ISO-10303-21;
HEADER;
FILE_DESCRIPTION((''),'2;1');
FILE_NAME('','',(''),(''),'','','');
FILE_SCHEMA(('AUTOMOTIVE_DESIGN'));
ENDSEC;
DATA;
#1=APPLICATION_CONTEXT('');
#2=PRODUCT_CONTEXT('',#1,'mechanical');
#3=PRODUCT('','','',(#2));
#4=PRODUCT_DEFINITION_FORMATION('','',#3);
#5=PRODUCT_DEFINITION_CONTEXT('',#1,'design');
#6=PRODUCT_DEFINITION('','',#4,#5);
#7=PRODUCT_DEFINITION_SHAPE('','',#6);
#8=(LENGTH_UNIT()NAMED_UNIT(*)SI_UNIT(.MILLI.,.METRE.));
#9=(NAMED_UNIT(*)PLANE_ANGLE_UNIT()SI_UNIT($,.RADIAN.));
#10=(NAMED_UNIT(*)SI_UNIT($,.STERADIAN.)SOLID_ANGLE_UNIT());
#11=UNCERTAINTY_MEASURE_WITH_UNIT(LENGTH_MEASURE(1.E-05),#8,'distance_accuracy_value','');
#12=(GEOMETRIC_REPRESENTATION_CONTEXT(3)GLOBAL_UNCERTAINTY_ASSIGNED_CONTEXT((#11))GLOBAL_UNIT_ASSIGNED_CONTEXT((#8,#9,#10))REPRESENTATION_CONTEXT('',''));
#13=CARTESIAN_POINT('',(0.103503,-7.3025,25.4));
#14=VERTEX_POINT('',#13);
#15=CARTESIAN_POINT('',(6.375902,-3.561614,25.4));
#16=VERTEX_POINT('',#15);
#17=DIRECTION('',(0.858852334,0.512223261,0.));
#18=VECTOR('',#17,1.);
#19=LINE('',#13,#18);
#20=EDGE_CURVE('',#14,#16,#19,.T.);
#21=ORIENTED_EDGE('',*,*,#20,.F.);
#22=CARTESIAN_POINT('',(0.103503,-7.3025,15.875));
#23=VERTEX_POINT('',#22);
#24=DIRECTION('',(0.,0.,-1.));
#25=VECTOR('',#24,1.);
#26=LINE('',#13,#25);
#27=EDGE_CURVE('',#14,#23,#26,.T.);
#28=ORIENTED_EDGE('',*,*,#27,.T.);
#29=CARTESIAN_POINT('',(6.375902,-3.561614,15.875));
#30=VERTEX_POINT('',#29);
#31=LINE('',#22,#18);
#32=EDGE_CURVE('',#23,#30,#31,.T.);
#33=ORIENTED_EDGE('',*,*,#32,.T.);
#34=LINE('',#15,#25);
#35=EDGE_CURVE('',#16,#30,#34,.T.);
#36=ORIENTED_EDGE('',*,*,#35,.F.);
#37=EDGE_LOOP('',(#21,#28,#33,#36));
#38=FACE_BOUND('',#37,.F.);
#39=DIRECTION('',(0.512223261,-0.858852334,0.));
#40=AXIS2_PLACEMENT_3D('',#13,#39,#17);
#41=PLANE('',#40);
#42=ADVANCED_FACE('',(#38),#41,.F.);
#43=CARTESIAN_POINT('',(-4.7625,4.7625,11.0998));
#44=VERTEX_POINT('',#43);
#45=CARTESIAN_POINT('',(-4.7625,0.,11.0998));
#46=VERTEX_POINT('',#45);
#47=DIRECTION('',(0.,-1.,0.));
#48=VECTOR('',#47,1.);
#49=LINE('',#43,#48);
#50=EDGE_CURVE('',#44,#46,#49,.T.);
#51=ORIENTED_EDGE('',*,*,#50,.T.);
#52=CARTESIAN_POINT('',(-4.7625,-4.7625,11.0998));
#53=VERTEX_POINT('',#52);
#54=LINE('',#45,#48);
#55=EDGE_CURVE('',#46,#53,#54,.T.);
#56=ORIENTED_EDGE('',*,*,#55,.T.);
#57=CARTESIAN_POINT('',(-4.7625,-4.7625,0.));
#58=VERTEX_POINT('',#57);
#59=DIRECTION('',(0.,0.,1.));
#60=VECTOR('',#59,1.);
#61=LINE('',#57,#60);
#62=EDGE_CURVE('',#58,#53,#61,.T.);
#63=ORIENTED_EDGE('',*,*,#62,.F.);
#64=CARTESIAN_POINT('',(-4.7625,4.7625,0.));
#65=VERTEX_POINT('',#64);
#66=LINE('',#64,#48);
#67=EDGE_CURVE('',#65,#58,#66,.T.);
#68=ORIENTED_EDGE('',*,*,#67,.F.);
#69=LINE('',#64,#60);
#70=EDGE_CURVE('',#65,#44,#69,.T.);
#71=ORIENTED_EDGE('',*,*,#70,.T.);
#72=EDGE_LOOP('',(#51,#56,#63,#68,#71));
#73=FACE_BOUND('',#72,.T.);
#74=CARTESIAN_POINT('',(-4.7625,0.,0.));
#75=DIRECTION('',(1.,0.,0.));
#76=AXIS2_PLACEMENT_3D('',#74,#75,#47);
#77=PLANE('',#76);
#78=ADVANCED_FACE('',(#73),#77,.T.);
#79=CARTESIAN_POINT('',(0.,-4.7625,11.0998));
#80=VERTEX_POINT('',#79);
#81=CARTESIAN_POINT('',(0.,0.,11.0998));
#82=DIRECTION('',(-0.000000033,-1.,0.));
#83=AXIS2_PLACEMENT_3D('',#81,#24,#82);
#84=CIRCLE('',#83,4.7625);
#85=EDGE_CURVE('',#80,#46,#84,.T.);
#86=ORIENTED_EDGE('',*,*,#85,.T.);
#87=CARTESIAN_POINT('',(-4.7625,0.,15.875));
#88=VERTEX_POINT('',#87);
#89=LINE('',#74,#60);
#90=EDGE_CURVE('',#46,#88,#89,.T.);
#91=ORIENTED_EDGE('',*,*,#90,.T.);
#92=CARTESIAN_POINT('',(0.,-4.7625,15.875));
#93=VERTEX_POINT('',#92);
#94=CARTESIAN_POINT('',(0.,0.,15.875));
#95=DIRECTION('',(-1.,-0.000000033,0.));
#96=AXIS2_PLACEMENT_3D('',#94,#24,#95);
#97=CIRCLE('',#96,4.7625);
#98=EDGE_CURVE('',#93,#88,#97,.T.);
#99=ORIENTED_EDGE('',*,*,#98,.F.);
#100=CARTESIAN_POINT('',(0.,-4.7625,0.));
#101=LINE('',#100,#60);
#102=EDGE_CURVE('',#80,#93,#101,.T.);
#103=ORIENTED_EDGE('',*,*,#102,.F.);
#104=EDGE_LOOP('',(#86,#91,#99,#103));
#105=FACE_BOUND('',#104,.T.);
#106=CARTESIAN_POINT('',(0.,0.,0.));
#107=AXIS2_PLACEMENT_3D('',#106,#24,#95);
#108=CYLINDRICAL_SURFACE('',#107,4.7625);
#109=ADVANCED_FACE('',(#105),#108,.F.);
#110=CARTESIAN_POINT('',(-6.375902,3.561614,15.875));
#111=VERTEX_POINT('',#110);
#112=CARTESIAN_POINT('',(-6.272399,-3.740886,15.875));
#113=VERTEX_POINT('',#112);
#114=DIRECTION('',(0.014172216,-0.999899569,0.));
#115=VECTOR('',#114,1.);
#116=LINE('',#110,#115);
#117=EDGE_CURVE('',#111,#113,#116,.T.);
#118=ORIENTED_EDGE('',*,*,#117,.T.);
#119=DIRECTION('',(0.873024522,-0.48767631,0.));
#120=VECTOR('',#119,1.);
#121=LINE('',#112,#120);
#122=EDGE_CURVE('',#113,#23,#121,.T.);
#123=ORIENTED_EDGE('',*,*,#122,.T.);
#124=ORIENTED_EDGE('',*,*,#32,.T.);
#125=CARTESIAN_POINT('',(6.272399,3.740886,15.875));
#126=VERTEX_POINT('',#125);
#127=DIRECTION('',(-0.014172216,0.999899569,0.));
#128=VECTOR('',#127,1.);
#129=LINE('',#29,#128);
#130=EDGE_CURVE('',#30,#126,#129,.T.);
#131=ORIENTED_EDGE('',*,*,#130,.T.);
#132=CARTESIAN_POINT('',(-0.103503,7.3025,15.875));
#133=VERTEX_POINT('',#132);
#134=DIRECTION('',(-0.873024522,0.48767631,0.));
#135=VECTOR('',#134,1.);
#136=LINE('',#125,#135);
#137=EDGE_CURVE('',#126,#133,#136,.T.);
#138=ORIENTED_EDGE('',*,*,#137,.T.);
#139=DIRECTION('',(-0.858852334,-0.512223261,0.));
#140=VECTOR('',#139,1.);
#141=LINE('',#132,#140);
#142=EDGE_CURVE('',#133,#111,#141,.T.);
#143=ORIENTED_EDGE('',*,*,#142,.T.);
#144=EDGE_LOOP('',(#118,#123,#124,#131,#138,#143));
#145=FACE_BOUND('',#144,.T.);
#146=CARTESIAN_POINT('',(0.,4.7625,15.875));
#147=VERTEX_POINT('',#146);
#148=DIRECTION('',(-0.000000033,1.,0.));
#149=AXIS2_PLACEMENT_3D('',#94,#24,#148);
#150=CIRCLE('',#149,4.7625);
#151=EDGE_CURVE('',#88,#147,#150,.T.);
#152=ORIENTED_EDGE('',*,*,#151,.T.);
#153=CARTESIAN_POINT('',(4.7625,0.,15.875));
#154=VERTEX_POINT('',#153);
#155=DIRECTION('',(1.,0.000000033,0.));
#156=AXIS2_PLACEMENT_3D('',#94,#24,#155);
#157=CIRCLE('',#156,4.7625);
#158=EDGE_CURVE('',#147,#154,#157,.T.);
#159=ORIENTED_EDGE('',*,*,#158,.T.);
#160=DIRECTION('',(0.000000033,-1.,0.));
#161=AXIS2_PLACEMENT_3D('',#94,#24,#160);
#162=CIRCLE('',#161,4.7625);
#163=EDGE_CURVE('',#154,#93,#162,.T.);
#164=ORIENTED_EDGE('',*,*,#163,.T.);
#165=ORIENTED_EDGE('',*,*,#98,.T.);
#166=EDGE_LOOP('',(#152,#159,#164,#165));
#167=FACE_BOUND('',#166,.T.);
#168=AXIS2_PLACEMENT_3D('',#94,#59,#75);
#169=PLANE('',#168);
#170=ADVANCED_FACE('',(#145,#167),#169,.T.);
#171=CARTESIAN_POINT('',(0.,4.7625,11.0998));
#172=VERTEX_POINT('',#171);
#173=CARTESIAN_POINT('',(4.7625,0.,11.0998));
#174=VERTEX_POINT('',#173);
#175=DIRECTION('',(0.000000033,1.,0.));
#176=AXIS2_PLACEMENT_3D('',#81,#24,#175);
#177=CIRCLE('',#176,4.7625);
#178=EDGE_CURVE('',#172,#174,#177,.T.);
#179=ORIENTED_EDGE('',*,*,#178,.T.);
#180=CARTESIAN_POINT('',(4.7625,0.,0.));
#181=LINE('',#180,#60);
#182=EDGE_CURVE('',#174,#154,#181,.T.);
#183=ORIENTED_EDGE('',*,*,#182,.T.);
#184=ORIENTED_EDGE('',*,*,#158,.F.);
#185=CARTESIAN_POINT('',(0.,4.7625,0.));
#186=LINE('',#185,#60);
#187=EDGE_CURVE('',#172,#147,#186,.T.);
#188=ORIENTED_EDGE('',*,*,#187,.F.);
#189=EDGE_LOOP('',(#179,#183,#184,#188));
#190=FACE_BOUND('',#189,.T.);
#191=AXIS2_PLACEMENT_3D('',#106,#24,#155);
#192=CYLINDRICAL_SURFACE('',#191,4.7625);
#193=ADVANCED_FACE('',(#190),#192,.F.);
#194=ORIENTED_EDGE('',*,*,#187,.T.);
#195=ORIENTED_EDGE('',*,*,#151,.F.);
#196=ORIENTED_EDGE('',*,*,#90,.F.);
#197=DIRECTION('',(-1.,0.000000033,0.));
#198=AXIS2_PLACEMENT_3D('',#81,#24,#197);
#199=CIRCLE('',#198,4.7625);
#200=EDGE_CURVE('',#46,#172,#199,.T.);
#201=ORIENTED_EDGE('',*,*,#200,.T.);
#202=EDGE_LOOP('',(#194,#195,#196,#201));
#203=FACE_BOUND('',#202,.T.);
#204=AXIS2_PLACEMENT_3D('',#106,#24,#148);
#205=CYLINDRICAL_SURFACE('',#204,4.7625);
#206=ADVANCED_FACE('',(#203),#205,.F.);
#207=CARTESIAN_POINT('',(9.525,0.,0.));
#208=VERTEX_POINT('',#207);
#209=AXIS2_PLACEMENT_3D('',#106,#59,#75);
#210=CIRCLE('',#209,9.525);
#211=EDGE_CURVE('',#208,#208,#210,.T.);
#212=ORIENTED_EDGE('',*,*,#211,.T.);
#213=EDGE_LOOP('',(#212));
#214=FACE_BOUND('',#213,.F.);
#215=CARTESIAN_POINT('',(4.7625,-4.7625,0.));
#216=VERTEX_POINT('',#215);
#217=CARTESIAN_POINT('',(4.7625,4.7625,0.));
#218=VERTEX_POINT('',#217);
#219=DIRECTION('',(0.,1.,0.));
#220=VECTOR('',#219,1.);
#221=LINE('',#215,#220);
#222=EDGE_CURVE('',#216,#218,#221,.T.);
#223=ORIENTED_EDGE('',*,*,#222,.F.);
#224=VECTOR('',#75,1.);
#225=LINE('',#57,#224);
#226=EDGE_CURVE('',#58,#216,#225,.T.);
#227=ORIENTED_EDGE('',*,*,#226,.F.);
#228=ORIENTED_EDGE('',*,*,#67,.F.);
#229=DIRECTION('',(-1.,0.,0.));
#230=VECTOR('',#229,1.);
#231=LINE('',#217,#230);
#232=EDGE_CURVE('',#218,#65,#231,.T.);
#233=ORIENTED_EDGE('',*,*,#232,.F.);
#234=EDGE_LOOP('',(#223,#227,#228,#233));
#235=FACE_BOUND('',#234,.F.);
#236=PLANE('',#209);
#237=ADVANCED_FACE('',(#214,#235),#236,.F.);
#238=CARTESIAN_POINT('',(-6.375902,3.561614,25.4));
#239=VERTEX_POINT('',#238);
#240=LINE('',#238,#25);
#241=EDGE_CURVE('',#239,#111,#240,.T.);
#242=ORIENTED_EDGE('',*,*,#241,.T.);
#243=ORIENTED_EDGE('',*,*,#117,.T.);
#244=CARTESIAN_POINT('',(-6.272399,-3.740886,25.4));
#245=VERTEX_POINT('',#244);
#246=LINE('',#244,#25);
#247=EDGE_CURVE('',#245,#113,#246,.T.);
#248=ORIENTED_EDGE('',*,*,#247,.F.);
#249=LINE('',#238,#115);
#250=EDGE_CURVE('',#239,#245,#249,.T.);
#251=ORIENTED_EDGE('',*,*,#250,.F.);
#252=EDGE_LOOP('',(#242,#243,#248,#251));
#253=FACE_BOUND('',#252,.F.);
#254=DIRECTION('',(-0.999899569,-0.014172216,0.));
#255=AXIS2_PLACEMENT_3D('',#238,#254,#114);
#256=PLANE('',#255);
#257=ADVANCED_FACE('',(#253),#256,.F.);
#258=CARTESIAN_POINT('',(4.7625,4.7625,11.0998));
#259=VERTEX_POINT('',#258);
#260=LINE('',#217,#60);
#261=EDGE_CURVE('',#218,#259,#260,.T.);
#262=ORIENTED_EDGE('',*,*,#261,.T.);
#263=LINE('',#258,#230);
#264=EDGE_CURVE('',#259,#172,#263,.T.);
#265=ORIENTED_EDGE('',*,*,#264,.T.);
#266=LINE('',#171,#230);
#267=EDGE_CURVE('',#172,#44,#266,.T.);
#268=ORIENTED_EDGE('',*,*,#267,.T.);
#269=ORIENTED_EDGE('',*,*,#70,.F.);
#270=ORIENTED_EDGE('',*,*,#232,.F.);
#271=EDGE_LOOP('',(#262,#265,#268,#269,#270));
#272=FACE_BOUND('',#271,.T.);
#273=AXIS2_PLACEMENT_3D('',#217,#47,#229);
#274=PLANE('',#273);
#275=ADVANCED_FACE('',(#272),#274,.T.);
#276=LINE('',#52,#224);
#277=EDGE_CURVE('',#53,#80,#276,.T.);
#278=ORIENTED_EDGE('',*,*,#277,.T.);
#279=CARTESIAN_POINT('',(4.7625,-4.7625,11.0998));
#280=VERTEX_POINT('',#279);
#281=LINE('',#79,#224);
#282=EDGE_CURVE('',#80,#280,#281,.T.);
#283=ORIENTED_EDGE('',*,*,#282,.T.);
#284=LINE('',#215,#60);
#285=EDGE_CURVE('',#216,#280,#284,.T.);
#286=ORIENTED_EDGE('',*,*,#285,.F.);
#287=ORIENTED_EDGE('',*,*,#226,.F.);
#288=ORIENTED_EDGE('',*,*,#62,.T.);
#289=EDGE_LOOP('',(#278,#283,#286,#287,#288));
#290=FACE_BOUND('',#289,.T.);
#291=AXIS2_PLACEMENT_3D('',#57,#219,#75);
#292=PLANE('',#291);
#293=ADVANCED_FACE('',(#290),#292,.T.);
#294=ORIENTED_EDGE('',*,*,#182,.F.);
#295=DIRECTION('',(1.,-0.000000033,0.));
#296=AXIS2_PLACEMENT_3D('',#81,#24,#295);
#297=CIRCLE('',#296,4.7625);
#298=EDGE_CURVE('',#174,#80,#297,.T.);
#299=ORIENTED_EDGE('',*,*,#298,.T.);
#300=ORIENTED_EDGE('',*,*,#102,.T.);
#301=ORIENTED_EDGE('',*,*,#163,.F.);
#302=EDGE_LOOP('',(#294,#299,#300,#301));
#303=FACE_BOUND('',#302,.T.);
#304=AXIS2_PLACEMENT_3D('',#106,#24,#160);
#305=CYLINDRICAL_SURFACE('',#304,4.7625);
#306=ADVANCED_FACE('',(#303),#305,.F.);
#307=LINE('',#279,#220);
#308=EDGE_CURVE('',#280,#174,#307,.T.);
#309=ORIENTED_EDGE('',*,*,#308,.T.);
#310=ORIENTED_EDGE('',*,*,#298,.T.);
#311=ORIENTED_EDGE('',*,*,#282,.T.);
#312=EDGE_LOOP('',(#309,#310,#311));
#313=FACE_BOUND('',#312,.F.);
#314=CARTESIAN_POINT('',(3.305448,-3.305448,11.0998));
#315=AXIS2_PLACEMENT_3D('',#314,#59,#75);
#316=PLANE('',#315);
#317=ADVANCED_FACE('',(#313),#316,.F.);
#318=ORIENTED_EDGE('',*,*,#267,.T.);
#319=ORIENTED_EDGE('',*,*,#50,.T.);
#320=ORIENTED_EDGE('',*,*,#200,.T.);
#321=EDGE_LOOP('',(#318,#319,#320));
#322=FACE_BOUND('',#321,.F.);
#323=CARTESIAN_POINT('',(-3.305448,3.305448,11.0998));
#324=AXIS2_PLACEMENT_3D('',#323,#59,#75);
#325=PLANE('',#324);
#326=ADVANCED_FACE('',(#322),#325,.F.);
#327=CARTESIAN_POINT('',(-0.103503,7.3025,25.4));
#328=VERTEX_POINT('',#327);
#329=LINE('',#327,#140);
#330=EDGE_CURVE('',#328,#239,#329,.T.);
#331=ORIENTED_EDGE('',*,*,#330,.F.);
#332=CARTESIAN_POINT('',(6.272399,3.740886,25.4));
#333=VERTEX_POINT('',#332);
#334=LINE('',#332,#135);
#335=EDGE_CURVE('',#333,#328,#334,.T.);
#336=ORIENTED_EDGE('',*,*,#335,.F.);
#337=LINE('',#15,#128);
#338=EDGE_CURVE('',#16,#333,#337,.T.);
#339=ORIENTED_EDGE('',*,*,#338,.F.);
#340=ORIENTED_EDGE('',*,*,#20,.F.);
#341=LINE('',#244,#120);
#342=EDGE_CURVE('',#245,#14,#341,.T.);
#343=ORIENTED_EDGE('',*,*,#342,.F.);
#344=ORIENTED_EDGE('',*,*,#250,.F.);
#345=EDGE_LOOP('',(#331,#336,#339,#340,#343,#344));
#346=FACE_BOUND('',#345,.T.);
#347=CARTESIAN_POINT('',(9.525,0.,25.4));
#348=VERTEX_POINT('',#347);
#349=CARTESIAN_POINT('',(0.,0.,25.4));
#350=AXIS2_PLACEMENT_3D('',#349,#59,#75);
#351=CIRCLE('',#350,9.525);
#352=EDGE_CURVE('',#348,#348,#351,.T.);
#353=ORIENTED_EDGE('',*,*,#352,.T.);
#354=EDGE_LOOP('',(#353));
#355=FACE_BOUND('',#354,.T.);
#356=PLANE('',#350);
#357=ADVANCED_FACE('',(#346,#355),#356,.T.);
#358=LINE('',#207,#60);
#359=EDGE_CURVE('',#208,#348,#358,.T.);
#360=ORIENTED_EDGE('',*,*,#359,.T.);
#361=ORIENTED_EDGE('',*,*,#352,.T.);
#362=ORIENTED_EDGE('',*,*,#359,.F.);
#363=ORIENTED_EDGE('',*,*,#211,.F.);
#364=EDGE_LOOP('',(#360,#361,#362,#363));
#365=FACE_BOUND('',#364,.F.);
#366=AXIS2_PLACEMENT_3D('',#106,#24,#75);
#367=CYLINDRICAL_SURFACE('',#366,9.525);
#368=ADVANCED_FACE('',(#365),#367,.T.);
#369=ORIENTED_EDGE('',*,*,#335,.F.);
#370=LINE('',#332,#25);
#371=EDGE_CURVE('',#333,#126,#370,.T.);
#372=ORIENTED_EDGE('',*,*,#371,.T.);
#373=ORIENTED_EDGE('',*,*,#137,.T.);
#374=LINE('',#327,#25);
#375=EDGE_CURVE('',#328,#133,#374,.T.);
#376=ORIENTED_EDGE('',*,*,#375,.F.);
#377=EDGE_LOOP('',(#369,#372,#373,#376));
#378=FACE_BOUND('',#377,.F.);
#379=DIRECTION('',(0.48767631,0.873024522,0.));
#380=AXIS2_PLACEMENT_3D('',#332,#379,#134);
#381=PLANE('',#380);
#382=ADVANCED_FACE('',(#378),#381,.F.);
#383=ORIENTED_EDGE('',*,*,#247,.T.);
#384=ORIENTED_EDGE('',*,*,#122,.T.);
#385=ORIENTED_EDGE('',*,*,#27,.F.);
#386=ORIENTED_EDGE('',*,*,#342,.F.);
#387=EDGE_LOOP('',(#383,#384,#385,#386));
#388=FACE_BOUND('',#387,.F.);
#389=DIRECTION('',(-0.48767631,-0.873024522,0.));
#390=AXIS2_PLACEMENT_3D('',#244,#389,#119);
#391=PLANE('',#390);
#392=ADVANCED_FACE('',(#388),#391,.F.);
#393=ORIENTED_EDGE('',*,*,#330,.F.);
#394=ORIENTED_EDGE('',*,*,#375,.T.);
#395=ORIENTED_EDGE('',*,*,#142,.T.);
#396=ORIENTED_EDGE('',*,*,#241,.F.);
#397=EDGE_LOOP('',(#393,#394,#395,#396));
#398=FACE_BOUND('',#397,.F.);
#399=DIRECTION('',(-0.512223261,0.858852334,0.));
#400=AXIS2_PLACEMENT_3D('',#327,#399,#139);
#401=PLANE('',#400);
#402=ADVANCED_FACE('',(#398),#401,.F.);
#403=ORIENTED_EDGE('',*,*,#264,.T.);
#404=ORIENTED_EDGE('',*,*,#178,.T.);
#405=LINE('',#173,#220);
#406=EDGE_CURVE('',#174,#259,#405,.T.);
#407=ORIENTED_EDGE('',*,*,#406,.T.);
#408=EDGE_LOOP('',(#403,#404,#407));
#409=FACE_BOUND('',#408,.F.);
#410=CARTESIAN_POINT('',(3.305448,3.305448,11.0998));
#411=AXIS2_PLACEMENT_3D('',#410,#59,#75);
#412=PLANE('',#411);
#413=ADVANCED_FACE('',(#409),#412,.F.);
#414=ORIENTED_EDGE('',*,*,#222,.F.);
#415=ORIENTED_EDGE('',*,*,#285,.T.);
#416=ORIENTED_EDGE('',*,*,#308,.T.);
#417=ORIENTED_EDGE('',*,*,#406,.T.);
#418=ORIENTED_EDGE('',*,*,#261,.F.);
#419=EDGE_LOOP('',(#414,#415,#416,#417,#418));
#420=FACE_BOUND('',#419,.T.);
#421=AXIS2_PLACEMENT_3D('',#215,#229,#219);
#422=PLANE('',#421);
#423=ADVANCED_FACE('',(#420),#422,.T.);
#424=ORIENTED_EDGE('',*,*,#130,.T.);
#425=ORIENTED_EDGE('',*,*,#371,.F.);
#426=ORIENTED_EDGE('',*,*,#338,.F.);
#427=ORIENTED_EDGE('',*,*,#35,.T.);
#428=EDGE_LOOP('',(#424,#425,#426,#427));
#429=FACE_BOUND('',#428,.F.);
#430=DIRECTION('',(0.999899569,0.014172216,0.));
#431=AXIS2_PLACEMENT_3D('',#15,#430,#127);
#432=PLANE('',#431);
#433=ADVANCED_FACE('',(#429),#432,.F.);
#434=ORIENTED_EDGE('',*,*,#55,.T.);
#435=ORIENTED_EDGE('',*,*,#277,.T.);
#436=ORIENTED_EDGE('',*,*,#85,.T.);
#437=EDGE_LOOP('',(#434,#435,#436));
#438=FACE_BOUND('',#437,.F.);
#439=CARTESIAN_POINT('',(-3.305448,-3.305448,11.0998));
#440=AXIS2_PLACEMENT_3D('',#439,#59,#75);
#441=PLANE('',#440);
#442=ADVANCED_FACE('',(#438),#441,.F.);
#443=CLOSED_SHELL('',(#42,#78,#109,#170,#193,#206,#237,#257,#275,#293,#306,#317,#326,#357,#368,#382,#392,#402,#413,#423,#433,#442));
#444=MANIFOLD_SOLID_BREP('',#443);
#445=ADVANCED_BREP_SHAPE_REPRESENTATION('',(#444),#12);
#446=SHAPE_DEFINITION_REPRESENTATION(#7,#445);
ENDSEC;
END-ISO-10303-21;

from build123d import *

# Parameters (mm, degrees)
F0_R     = 9.525
F1_DEPTH = 25.4
F3_DEPTH = 25.401
F4_DEPTH = 11.0998
F6_DEPTH = 9.525


with BuildPart() as f1:
    # F0 (on Top) → F1 (new body)
    with BuildSketch(Plane.XY):
        Circle(F0_R)
    extrude(amount=F1_DEPTH)

    # F2 (on Top) → F3 (cut, through all)
    with BuildSketch(Plane.XY):
        with BuildLine():
            ThreePointArc((-4.7625, 0), (-3.367596, -3.367596), (0, -4.7625))
            ThreePointArc((0, -4.7625), (3.367596, -3.367596), (4.7625, 0))
            ThreePointArc((4.7625, 0), (3.367596, 3.367596), (0, 4.7625))
            ThreePointArc((0, 4.7625), (-3.367596, 3.367596), (-4.7625, 0))
        make_face()
    extrude(amount=F3_DEPTH, mode=Mode.SUBTRACT)

    # F2 (on Top) → F4 (cut)
    with BuildSketch(Plane.XY):
        with BuildLine():
            Line((0, -4.7625), (4.7625, -4.7625))
            Line((4.7625, -4.7625), (4.7625, 0))
            ThreePointArc((4.7625, 0), (3.367596, -3.367596), (0, -4.7625))
        make_face()
        with BuildLine():
            Line((-4.7625, -4.7625), (0, -4.7625))
            ThreePointArc((0, -4.7625), (-3.367596, -3.367596), (-4.7625, 0))
            Line((-4.7625, 0), (-4.7625, -4.7625))
        make_face()
        with BuildLine():
            ThreePointArc((0, 4.7625), (3.367596, 3.367596), (4.7625, 0))
            Line((4.7625, 0), (4.7625, 4.7625))
            Line((4.7625, 4.7625), (0, 4.7625))
        make_face()
        with BuildLine():
            Line((-4.7625, 4.7625), (-4.7625, 0))
            ThreePointArc((-4.7625, 0), (-3.367596, 3.367596), (0, 4.7625))
            Line((0, 4.7625), (-4.7625, 4.7625))
        make_face()
    extrude(amount=F4_DEPTH, mode=Mode.SUBTRACT)

    # F5 (on face) → F6 (cut)
    with BuildSketch(Plane.XY.offset(25.4)):
        Polygon((0.103503, -7.3025), (6.375902, -3.561614), (6.272399, 3.740886), (-0.103503, 7.3025), (-6.375902, 3.561614), (-6.272399, -3.740886), align=None)
    extrude(amount=-F6_DEPTH, mode=Mode.SUBTRACT)


solid = f1.part
